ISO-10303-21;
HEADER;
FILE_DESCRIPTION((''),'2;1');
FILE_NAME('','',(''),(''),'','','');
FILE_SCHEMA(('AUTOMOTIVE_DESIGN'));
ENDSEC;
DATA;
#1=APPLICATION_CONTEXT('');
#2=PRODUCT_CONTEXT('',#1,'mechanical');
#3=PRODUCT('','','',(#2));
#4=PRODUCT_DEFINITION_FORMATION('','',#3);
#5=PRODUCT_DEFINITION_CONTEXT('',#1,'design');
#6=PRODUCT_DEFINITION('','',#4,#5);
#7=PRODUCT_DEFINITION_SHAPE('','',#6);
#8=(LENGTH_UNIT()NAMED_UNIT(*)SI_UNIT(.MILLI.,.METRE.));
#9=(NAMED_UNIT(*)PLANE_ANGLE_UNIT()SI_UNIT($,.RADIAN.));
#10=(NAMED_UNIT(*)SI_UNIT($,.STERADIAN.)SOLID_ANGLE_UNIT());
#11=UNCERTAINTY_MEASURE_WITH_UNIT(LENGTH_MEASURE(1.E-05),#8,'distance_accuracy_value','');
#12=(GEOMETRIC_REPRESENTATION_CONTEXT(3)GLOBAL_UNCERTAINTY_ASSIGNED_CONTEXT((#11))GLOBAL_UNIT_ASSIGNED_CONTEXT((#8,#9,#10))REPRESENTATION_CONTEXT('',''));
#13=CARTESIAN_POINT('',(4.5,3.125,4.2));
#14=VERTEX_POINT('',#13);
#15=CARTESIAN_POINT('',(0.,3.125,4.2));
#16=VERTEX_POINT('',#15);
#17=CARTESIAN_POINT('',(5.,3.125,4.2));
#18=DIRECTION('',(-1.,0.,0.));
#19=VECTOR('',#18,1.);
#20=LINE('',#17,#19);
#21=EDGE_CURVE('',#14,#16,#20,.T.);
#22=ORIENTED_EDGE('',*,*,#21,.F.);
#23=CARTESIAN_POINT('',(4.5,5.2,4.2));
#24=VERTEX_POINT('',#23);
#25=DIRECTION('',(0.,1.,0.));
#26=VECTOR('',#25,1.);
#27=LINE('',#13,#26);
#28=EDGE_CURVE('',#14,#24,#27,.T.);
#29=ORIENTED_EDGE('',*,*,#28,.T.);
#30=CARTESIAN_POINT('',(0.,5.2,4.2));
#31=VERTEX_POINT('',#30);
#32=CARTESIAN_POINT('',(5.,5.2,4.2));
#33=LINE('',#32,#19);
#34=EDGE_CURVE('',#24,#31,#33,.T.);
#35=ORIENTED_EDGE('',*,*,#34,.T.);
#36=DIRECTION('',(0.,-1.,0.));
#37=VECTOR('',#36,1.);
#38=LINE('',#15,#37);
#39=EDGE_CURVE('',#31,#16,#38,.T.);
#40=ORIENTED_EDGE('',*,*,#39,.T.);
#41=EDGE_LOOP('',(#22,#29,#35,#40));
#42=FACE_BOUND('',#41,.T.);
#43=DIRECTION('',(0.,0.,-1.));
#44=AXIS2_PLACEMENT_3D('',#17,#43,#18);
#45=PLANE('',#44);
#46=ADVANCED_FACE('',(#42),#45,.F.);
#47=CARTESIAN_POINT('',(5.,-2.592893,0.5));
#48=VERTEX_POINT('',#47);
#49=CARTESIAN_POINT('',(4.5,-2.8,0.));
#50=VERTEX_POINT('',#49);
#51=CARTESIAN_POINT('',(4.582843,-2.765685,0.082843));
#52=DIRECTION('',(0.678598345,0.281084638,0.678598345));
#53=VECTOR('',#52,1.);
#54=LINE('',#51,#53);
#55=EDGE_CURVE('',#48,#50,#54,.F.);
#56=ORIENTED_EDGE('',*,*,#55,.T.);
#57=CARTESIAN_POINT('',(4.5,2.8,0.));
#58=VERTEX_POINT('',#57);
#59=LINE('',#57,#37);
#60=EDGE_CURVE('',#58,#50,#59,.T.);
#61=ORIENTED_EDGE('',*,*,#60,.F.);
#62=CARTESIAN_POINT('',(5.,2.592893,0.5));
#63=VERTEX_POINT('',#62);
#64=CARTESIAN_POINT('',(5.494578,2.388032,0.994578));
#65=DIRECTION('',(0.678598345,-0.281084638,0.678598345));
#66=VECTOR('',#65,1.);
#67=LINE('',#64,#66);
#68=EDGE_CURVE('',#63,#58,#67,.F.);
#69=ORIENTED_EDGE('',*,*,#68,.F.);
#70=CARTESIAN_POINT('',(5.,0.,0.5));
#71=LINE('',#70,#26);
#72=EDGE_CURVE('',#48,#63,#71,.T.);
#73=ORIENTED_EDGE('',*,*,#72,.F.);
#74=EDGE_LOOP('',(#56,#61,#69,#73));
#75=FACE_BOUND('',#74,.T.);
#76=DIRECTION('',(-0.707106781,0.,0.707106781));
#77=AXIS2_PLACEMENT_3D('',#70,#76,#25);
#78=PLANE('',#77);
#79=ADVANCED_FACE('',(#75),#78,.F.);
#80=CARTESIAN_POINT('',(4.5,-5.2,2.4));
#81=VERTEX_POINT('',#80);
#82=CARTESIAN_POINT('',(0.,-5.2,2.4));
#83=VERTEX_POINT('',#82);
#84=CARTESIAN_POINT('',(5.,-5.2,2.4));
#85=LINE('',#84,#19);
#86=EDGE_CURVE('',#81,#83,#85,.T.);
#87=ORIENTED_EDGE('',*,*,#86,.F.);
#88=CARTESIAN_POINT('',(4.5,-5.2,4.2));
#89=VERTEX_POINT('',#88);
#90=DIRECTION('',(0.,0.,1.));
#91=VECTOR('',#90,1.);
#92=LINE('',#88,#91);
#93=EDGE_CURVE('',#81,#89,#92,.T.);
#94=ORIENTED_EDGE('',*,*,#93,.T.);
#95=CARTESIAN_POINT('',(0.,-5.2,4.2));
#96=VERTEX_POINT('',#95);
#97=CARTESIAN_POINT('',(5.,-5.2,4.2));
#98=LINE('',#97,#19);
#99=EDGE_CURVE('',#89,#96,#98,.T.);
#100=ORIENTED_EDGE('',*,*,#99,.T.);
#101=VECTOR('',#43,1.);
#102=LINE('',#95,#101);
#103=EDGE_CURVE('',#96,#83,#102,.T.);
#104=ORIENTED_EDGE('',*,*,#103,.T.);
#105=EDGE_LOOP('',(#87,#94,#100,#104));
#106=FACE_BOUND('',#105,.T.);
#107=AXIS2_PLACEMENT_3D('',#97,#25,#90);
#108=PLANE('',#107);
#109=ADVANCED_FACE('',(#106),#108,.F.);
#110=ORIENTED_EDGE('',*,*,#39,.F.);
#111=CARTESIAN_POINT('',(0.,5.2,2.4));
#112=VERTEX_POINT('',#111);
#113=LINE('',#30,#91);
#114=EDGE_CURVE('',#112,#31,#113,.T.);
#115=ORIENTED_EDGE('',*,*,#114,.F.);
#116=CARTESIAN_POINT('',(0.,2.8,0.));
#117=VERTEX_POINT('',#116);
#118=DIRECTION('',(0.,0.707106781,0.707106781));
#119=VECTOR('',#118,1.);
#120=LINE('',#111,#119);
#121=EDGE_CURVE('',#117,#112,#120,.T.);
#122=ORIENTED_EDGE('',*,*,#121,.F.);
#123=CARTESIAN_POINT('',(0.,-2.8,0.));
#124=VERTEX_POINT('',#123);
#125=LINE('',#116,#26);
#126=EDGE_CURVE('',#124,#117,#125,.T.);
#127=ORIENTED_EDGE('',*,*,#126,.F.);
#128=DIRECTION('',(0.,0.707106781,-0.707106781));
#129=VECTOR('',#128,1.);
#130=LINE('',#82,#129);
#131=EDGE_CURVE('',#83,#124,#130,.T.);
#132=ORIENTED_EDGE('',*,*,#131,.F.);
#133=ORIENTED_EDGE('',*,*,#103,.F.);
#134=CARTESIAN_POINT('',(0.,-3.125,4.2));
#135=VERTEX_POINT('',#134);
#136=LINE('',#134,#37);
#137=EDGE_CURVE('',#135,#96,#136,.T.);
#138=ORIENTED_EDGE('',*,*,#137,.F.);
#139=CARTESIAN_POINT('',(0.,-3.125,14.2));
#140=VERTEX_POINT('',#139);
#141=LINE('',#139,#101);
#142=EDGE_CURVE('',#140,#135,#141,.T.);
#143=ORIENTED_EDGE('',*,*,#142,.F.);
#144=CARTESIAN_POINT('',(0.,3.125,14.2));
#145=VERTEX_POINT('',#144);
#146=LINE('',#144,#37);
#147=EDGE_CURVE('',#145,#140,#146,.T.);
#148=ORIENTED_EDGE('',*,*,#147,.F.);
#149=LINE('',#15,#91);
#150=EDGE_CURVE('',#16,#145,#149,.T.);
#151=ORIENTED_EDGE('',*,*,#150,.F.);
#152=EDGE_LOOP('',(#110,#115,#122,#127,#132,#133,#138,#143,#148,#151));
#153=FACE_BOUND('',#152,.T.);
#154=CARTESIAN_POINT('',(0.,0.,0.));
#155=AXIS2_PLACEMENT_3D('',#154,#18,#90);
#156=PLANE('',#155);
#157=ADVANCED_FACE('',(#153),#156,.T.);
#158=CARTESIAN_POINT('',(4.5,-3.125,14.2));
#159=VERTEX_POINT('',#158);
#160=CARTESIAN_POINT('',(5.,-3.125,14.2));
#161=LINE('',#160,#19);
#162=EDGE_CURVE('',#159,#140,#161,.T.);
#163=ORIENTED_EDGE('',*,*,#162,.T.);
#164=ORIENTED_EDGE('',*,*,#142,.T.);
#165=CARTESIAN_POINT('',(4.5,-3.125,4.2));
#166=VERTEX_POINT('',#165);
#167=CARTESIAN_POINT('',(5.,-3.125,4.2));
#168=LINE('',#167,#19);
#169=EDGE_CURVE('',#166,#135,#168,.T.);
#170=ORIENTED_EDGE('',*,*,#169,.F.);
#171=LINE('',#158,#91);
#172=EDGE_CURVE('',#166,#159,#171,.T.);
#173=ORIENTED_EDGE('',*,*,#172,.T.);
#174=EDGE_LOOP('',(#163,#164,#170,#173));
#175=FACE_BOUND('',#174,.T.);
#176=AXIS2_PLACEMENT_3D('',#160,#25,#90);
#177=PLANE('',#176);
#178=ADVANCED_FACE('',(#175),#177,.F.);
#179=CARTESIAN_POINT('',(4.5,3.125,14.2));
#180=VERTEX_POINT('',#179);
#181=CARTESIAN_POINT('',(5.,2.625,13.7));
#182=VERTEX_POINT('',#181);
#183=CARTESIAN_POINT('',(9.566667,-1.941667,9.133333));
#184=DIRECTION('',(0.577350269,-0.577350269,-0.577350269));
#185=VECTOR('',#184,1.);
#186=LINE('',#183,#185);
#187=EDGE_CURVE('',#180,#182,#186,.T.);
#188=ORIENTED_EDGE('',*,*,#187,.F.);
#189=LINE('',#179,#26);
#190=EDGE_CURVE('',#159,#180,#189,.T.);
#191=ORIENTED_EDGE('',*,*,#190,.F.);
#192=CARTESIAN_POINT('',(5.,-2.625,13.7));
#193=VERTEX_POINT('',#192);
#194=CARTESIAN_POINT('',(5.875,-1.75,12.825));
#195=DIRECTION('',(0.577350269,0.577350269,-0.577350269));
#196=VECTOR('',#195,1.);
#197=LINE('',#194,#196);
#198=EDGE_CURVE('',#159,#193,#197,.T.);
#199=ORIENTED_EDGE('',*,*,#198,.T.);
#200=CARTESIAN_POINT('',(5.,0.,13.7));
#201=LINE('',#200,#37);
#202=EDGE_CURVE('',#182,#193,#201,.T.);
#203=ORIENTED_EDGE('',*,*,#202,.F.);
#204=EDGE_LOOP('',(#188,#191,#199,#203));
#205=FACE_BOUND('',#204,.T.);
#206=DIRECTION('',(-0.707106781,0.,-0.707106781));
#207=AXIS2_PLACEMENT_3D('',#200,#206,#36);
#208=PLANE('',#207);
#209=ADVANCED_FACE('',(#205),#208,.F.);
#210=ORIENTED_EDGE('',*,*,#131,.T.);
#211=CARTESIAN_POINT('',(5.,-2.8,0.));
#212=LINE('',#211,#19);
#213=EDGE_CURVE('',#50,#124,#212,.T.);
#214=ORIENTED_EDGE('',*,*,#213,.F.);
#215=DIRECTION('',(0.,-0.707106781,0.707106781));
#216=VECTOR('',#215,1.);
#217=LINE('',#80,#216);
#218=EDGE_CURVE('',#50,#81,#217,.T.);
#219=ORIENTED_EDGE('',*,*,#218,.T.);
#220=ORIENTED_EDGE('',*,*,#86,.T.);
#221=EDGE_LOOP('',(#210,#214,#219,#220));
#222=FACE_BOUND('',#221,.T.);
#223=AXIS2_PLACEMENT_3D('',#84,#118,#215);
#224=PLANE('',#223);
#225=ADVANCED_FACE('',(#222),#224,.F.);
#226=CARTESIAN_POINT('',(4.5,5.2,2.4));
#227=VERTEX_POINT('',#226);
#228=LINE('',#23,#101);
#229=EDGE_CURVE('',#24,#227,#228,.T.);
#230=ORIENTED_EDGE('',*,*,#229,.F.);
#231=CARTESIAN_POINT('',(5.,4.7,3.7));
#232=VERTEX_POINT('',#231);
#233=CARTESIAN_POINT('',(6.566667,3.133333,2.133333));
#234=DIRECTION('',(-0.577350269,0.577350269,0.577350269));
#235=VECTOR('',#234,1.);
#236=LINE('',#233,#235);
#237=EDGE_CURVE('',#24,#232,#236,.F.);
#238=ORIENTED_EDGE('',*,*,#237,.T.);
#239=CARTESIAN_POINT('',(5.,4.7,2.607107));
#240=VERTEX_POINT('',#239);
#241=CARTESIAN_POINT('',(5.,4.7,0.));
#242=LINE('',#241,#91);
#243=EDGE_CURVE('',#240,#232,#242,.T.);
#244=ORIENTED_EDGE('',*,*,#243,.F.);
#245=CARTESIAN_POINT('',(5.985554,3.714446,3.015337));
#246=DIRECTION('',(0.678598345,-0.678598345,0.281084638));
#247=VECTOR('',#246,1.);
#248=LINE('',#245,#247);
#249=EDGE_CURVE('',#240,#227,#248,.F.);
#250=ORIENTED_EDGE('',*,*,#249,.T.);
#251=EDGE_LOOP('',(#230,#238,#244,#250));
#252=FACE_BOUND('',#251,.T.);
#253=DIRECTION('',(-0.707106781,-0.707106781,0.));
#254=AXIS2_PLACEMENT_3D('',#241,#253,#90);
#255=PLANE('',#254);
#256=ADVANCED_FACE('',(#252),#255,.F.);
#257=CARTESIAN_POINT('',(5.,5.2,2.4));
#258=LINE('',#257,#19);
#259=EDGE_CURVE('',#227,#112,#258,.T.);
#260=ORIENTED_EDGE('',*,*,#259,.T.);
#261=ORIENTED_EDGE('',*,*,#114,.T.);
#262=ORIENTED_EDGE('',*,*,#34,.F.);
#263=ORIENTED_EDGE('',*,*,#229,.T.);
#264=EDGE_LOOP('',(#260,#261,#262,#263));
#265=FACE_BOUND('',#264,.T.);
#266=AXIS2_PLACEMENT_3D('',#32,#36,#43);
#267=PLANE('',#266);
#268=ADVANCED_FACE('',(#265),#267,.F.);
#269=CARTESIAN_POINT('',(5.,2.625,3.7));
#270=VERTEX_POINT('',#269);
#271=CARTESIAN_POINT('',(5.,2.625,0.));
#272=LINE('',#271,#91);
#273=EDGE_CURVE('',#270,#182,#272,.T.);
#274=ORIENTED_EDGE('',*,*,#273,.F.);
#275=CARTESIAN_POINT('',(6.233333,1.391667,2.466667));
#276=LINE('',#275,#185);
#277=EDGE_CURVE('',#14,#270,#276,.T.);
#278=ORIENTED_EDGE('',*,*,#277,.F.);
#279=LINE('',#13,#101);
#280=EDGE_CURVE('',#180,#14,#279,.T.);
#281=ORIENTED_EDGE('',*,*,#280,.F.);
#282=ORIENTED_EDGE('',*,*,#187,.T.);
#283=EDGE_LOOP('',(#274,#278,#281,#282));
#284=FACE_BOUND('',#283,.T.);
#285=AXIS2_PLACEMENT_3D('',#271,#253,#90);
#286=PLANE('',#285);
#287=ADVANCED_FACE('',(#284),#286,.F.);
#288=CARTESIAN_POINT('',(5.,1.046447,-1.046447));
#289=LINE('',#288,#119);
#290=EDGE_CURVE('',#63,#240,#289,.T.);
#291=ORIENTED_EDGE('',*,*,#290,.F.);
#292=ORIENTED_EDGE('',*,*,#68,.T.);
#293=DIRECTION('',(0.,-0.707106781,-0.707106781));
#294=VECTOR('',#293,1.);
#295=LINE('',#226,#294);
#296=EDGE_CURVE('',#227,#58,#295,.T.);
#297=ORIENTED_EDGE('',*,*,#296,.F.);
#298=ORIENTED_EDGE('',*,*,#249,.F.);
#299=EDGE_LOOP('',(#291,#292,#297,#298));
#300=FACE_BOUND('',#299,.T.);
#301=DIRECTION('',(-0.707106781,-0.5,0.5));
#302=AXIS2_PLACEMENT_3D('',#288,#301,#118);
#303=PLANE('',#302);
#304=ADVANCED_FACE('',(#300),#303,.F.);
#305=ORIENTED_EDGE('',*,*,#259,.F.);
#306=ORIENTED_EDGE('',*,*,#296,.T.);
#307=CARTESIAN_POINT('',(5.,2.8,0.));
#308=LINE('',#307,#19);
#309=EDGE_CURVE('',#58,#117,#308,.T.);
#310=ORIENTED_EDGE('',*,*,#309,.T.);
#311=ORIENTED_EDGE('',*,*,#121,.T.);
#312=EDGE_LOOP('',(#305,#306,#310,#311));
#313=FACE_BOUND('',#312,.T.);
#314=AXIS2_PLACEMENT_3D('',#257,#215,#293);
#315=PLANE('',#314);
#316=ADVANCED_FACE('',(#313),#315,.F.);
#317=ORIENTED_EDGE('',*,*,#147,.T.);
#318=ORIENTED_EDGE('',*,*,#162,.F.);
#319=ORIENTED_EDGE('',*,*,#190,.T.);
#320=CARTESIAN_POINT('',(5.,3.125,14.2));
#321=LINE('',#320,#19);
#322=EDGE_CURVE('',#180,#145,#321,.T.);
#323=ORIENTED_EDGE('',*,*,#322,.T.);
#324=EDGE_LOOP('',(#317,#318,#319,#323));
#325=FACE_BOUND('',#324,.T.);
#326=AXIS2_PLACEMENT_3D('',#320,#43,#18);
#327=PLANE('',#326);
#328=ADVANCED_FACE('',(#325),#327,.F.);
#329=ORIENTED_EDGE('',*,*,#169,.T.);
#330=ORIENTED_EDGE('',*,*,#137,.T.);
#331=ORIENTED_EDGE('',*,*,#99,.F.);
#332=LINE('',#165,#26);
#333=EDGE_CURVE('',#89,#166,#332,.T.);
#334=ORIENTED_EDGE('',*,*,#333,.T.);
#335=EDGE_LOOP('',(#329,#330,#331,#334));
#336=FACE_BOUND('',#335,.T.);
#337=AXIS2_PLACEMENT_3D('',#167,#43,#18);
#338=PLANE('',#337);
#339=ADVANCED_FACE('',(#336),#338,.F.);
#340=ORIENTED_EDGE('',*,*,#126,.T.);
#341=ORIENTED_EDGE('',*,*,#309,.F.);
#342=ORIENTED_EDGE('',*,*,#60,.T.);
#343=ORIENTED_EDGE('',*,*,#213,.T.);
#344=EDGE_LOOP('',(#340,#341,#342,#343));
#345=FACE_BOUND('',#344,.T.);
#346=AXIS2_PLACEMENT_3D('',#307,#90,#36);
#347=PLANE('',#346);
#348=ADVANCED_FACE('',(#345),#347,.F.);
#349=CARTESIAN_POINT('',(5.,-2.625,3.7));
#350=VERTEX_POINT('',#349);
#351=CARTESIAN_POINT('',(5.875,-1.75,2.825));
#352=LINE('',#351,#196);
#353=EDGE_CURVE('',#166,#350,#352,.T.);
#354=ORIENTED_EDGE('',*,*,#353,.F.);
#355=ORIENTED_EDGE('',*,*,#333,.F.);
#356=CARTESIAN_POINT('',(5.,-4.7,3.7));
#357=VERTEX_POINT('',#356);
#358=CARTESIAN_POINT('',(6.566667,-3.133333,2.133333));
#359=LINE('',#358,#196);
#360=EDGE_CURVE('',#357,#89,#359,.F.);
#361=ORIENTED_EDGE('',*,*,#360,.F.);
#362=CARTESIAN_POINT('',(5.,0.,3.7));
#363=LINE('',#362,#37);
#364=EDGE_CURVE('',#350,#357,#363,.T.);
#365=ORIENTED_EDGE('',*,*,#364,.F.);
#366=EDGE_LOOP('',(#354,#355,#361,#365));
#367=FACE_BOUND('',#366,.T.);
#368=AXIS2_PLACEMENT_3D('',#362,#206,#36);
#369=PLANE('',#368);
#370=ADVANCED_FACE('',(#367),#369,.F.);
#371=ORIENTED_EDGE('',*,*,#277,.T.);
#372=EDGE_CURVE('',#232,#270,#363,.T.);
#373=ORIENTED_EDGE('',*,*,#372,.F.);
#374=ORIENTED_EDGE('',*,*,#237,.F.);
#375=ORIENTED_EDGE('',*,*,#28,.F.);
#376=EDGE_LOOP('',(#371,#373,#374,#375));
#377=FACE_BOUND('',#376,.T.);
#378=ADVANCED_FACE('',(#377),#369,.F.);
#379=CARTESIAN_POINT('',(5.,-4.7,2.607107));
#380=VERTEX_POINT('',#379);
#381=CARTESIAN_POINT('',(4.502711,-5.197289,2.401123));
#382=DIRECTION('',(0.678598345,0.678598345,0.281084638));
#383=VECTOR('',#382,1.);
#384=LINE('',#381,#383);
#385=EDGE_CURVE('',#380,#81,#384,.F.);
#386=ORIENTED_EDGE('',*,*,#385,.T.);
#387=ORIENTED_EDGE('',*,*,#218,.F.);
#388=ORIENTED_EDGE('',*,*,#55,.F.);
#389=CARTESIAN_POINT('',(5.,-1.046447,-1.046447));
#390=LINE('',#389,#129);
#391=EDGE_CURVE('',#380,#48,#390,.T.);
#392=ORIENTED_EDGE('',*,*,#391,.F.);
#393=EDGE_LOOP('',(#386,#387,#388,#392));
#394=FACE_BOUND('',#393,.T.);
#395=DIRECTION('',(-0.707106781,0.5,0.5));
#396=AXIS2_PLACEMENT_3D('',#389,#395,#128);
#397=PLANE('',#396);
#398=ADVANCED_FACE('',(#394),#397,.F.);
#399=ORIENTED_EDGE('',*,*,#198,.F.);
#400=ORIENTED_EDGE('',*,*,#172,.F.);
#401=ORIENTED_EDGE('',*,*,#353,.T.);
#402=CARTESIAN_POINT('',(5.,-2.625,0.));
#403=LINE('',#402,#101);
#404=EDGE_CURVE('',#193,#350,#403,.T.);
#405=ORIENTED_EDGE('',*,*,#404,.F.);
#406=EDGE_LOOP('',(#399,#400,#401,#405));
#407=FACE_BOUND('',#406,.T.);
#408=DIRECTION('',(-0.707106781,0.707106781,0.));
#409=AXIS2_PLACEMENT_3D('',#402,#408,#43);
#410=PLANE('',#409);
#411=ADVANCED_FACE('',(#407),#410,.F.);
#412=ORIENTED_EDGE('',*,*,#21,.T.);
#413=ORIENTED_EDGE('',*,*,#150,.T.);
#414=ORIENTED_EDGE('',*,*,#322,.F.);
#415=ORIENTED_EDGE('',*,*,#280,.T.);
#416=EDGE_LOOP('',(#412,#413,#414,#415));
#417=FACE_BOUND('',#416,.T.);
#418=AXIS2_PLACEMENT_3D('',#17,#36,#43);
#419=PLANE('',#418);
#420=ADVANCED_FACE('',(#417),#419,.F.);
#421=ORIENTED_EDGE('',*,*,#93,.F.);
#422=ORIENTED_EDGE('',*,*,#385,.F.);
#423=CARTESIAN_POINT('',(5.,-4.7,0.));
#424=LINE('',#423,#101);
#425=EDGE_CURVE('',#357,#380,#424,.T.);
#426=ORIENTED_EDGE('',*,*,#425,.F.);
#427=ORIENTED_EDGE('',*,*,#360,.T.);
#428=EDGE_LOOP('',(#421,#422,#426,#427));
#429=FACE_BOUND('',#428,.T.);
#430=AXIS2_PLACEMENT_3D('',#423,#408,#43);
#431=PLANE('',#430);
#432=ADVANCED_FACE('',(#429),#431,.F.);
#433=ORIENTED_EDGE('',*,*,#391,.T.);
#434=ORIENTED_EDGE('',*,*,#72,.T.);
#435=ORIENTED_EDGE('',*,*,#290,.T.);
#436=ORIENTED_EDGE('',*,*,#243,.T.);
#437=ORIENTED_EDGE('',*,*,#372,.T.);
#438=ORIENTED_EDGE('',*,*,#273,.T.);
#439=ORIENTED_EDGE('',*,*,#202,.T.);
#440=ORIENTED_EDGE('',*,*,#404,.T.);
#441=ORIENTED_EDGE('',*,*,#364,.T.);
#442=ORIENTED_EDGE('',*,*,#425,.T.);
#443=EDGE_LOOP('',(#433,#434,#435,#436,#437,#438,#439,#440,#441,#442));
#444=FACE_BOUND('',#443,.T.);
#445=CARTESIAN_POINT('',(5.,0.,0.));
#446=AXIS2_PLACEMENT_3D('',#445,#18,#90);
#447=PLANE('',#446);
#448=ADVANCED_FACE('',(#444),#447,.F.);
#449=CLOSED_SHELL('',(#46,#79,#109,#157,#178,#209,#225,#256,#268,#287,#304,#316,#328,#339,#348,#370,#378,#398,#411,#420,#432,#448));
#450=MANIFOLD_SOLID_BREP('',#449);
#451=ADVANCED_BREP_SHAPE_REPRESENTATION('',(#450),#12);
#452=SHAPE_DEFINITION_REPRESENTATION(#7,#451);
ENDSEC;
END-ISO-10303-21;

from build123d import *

# Parameters (mm, degrees)
BOSS_EXTRUDE1_DEPTH = 5
CHAMFER1_SIZE       = 0.5


with BuildPart() as part:
    # Sketch2 → Boss-Extrude1 (new body)
    with BuildSketch(Plane(origin=(0, 0, 0), x_dir=(0, 0, -1), z_dir=(1, 0, 0))):
        Polygon((-4.2, 3.125), (-14.2, 3.125), (-14.2, -3.125), (-4.2, -3.125), (-4.2, -5.2), (-2.4, -5.2), (0, -2.8), (0, 2.8), (-2.4, 5.2), (-4.2, 5.2), align=None)
    extrude(amount=BOSS_EXTRUDE1_DEPTH)

    # Chamfer1
    chamfer1_edges = [part.edges().sort_by_distance(p)[0] for p in [
        (5, 0, 14.2),
        (5, -3.125, 9.2),
        (5, -4.1625, 4.2),
        (5, -5.2, 3.3),
        (5, -4, 1.2),
        (5, 0, 0),
        (5, 4, 1.2),
        (5, 5.2, 3.3),
        (5, 4.1625, 4.2),
        (5, 3.125, 9.2),
    ]]
    chamfer(chamfer1_edges, length=CHAMFER1_SIZE)


solid = part.part
